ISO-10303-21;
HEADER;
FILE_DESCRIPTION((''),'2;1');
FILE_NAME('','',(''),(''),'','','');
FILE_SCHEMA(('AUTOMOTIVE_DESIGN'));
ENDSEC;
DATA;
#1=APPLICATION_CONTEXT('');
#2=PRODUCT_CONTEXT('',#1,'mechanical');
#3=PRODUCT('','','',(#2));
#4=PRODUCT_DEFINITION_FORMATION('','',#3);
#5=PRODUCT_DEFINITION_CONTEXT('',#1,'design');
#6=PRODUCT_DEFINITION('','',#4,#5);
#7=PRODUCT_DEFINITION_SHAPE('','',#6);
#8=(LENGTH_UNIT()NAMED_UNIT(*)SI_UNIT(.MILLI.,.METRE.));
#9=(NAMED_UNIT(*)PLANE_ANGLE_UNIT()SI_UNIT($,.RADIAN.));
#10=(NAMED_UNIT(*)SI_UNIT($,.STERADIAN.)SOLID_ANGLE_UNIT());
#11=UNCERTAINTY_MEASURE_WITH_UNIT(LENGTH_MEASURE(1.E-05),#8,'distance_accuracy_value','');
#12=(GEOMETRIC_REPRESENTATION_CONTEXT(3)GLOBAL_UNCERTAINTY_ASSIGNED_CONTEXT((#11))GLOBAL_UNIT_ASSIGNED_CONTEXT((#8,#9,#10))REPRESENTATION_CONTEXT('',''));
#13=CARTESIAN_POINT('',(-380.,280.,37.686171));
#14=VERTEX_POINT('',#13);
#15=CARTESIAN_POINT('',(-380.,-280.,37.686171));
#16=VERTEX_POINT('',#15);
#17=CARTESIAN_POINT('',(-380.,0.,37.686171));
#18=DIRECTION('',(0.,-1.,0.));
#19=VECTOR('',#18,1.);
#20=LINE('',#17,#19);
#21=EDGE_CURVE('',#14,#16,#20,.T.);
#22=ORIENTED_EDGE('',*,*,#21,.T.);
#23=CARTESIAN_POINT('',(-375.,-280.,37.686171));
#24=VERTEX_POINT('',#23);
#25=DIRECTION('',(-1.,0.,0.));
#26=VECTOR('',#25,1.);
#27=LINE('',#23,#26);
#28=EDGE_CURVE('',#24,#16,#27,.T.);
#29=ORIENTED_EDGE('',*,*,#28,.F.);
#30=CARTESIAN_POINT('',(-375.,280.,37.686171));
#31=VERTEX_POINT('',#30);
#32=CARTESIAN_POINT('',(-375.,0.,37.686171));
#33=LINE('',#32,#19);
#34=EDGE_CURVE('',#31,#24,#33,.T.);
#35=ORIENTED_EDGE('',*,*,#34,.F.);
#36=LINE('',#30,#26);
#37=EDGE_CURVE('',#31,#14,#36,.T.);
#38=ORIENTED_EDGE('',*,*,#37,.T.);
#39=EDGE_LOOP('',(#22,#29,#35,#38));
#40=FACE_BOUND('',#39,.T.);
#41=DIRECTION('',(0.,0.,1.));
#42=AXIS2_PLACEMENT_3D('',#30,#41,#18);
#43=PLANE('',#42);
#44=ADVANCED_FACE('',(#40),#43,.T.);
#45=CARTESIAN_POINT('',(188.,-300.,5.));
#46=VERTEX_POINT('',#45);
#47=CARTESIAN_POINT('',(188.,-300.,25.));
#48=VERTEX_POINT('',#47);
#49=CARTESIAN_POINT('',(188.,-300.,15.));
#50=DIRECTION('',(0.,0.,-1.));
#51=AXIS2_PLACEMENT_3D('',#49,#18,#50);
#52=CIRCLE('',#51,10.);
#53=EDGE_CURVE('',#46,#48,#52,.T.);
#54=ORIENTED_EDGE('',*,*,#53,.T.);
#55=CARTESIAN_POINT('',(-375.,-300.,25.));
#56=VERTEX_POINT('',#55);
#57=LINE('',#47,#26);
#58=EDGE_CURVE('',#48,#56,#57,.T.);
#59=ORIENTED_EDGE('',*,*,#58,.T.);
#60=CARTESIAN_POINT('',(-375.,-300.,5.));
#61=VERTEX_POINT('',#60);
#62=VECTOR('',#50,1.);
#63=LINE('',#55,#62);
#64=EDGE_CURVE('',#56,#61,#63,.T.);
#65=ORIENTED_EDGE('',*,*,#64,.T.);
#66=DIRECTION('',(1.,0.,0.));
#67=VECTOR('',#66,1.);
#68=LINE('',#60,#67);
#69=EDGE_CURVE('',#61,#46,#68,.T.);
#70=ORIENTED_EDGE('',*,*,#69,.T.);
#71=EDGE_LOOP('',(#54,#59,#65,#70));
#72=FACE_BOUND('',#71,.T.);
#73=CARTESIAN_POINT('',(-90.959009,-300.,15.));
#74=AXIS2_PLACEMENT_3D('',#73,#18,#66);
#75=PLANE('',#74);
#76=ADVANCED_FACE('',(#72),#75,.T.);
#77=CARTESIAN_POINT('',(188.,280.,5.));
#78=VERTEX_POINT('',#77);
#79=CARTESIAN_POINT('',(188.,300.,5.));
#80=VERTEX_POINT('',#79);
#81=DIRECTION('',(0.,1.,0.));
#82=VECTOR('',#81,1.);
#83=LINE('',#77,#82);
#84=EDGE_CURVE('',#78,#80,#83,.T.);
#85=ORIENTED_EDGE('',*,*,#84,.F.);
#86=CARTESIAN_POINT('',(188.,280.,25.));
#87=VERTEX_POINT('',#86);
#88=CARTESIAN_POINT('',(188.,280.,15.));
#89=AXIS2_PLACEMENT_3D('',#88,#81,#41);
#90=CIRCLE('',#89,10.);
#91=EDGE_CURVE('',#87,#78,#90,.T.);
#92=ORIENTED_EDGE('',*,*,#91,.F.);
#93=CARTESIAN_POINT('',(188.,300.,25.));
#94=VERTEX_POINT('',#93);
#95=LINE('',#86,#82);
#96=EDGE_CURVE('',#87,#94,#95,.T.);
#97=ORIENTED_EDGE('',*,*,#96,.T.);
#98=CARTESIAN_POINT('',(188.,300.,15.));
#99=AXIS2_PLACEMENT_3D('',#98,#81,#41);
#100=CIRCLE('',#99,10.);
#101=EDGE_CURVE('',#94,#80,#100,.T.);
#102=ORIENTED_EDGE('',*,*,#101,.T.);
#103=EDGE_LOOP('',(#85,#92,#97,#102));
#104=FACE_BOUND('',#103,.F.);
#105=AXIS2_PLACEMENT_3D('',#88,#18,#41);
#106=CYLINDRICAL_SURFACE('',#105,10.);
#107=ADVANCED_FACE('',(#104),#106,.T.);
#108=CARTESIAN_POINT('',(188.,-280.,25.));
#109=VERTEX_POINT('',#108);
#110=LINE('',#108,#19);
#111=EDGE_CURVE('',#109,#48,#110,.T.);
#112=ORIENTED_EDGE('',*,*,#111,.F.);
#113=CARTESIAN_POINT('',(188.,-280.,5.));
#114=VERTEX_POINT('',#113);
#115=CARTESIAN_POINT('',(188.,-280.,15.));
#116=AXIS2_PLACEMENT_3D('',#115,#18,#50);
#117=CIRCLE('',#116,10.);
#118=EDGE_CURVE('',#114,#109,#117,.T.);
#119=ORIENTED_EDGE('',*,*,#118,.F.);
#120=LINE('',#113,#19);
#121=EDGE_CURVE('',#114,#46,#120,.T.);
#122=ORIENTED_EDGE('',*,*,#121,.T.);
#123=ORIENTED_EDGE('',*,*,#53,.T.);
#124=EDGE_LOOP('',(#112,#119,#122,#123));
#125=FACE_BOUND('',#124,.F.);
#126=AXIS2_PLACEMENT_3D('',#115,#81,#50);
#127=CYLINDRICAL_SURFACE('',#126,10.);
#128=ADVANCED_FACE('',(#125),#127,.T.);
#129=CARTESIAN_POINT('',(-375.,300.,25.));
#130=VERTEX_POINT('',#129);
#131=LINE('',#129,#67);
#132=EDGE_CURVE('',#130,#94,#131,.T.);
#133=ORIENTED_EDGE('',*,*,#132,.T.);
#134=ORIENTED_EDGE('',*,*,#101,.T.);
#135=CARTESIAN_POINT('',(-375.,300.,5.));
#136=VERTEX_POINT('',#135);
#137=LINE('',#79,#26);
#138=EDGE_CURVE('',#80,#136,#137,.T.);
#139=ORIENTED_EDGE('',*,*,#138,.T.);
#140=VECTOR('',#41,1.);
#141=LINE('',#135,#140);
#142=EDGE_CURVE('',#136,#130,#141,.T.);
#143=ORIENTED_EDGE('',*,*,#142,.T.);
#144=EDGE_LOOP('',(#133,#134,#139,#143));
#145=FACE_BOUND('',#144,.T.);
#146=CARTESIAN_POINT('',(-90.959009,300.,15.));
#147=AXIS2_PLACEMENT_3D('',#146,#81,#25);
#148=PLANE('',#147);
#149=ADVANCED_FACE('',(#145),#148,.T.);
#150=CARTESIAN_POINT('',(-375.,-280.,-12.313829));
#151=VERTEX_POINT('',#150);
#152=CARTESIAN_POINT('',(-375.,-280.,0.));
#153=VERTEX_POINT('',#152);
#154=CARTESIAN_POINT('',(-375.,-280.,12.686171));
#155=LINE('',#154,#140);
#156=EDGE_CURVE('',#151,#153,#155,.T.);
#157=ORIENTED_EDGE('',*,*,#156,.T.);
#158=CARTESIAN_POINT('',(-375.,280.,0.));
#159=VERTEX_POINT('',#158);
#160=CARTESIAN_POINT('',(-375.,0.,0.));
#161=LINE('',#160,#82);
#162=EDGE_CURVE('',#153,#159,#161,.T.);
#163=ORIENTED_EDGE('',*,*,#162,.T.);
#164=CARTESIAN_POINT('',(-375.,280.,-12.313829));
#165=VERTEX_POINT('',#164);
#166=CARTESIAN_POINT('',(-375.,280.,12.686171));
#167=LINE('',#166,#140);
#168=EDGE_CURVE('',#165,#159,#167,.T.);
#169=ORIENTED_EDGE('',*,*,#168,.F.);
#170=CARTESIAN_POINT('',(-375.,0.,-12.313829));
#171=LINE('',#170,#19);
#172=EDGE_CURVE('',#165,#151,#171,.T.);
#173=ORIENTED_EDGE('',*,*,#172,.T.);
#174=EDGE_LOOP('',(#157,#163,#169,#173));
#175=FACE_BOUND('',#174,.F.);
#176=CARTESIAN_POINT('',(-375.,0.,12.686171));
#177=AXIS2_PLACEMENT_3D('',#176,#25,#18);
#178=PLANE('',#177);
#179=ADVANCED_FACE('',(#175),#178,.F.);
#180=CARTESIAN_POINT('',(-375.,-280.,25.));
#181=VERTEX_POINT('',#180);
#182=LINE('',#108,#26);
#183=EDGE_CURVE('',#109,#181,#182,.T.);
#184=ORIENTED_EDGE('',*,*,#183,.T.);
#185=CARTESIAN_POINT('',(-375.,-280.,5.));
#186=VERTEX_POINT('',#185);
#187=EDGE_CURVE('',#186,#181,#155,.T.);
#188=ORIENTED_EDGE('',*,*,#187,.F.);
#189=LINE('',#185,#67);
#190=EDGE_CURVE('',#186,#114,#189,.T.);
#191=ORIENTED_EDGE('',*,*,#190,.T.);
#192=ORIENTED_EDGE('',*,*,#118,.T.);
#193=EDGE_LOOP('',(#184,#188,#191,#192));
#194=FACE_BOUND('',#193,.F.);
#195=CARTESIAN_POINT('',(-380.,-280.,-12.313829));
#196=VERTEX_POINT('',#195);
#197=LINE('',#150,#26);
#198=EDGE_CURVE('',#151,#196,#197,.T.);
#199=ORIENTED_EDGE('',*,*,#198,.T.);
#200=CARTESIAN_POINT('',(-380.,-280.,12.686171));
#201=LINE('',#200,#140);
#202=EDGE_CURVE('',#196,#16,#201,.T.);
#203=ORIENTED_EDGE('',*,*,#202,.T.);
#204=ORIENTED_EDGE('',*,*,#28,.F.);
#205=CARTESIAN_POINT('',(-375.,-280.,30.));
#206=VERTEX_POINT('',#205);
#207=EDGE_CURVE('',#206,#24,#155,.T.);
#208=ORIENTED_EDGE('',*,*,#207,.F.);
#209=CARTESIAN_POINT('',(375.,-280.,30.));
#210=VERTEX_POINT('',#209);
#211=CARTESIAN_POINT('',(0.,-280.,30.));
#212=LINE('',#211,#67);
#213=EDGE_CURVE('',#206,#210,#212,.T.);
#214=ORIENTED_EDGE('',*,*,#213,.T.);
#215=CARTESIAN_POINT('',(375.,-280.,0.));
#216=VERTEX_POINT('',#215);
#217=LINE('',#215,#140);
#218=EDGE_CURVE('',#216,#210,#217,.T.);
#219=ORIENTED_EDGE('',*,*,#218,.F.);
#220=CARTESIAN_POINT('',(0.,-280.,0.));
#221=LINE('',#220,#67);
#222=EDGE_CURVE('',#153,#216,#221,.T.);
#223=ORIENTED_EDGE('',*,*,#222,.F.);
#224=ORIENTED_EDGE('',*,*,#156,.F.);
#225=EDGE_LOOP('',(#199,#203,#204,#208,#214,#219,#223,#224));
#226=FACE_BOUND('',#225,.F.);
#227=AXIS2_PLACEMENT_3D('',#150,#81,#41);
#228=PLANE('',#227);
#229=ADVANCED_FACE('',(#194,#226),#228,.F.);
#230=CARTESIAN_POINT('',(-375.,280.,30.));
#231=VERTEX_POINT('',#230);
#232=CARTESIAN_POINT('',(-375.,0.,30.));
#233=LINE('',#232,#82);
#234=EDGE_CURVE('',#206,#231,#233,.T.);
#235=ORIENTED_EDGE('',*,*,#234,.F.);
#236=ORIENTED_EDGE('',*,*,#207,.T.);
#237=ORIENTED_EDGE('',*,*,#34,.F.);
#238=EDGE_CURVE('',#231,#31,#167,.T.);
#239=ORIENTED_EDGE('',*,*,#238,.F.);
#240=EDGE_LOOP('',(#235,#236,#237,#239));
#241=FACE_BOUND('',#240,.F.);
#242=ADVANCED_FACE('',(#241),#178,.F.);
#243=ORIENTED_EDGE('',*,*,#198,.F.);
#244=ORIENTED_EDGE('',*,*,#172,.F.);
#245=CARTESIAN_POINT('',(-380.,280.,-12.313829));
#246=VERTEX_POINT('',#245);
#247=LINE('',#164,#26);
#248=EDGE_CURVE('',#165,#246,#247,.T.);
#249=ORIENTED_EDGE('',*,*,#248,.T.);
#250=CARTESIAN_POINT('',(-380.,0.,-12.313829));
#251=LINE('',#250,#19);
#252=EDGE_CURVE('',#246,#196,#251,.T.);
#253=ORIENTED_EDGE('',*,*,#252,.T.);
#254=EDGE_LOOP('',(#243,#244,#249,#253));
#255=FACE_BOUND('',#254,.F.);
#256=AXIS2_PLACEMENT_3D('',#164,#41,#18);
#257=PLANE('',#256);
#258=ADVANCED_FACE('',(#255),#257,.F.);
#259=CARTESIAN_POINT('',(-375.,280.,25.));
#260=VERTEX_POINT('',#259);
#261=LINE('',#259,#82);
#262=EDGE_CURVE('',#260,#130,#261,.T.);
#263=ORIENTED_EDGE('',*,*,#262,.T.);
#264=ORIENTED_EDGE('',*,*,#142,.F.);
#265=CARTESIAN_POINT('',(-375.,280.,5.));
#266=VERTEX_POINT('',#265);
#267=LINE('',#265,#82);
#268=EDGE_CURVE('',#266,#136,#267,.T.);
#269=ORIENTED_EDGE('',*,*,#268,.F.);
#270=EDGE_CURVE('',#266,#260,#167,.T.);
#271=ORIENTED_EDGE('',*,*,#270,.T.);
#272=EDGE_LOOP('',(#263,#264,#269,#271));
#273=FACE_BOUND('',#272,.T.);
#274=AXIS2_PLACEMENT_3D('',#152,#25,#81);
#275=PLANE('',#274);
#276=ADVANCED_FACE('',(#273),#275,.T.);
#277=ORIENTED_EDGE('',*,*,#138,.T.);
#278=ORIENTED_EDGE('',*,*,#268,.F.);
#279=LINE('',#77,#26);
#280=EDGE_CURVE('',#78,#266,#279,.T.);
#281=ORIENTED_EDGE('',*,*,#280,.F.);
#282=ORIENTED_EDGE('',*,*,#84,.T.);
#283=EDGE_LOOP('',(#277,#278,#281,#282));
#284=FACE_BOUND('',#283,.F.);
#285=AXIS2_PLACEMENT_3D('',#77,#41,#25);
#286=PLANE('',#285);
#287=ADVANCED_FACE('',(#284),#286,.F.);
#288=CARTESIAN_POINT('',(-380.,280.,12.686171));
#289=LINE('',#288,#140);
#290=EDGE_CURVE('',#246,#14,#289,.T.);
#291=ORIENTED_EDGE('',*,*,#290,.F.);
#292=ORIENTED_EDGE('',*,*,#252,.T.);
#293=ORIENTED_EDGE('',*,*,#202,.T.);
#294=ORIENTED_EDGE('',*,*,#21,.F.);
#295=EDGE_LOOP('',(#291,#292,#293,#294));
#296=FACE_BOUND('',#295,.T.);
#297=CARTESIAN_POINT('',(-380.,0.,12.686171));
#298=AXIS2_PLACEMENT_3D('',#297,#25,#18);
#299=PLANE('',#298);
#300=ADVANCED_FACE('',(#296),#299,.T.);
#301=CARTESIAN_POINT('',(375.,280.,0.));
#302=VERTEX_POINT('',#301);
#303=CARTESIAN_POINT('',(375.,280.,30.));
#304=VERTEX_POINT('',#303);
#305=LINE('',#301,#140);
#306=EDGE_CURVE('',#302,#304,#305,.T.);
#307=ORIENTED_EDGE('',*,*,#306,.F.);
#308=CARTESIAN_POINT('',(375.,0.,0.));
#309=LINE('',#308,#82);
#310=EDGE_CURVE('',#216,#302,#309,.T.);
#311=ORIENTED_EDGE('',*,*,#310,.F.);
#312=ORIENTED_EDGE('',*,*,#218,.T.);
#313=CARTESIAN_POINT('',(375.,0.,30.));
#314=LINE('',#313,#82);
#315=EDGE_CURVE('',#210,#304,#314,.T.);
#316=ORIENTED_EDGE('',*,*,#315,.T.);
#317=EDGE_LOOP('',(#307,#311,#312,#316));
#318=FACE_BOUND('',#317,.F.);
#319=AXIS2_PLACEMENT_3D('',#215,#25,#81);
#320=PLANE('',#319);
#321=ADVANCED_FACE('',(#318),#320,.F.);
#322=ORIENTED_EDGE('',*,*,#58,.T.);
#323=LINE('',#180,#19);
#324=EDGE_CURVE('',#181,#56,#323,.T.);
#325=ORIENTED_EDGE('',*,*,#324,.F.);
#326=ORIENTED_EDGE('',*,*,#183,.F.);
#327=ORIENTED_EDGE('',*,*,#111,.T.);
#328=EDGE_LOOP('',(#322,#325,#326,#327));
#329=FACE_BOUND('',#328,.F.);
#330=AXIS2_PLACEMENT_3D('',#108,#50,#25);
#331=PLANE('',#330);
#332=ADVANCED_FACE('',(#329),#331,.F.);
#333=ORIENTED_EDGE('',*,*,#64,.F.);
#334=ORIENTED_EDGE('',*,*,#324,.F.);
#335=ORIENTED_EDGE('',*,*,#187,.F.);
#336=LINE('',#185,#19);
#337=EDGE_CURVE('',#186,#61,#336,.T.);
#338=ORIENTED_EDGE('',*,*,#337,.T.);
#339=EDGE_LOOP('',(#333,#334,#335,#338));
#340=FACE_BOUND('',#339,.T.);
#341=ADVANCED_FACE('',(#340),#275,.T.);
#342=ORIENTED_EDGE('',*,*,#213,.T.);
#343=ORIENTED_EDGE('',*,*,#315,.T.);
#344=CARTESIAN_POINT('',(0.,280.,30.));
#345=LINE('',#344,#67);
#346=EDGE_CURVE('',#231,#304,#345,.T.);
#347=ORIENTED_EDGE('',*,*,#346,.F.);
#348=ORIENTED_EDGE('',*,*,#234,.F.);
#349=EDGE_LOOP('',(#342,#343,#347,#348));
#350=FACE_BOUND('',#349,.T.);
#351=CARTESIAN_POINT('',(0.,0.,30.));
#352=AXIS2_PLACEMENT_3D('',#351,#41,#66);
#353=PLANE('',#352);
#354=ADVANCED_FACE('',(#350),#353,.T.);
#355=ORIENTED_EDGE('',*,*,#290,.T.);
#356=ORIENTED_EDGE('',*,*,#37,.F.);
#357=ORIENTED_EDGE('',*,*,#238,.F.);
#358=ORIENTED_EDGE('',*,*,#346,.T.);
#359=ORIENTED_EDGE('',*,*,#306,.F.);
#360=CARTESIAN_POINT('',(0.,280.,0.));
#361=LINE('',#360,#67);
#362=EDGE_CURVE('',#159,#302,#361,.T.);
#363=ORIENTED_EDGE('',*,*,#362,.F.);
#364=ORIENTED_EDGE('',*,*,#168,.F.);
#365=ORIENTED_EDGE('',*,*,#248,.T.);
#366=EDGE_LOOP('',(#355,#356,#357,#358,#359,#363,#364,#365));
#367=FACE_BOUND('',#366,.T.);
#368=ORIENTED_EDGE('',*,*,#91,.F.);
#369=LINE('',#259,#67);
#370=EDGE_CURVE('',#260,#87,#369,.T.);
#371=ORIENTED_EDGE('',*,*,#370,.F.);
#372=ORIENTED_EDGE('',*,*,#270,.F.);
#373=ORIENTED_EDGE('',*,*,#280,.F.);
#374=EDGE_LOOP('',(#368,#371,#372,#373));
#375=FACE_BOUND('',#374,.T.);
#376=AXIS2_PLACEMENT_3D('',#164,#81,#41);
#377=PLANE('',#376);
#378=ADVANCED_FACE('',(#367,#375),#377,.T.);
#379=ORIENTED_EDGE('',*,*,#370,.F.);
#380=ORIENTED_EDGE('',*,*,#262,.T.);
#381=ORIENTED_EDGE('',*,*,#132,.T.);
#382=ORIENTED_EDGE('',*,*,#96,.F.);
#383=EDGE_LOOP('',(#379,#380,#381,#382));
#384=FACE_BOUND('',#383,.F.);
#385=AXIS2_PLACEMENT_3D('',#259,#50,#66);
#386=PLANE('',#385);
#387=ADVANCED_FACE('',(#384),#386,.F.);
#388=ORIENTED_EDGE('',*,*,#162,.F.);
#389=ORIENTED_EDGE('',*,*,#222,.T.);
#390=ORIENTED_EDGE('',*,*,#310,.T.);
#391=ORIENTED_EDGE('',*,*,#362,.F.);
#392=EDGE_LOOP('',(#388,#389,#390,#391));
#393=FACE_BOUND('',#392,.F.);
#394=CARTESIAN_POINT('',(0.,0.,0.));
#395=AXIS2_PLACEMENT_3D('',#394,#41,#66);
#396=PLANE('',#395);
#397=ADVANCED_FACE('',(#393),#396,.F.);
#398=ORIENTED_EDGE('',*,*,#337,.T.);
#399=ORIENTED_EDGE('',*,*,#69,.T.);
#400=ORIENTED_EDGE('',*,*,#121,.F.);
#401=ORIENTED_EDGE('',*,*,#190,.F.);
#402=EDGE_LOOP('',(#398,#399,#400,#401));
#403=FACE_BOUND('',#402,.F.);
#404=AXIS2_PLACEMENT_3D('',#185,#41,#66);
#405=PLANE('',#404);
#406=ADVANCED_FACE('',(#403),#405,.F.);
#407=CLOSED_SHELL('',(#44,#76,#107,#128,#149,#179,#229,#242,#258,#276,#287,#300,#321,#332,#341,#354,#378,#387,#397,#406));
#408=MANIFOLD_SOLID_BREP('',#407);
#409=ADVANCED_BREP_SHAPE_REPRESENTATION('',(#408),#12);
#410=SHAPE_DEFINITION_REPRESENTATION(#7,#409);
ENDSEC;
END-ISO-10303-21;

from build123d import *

# Parameters (mm, degrees)
F0_W     = 750
F0_H     = 560
F1_DEPTH = 30
F4_DEPTH = 20
F5_DEPTH = 20
F6_W     = 560
F6_H     = 50
F7_DEPTH = 5


with BuildPart() as f1:
    # F0 (on Top) → F1 (new body)
    with BuildSketch(Plane.XY):
        Rectangle(F0_W, F0_H)
    extrude(amount=F1_DEPTH)

    # F3 (on face) → F4 (join)
    with BuildSketch(Plane(origin=(0, 280, 0), x_dir=(-1, 0, 0), z_dir=(0, 1, 0))):
        with BuildLine():
            Line((-188, 5), (375, 5))
            Line((375, 5), (375, 25))
            Line((375, 25), (-188, 25))
            ThreePointArc((-188, 25), (-198, 15), (-188, 5))
        make_face()
    extrude(amount=F4_DEPTH)

    # F2 (on face) → F5 (join)
    with BuildSketch(Plane.XZ.offset(280)):
        with BuildLine():
            Line((-375, 25), (-375, 5))
            Line((-375, 5), (188, 5))
            ThreePointArc((188, 5), (198, 15), (188, 25))
            Line((188, 25), (-375, 25))
        make_face()
    extrude(amount=F5_DEPTH)

    # F6 (on face) → F7 (join)
    with BuildSketch(Plane(origin=(-375, 0, 0), x_dir=(0, -1, 0), z_dir=(-1, 0, 0))):
        with Locations((0, 12.686171)):
            Rectangle(F6_W, F6_H)
    extrude(amount=F7_DEPTH)


solid = f1.part
